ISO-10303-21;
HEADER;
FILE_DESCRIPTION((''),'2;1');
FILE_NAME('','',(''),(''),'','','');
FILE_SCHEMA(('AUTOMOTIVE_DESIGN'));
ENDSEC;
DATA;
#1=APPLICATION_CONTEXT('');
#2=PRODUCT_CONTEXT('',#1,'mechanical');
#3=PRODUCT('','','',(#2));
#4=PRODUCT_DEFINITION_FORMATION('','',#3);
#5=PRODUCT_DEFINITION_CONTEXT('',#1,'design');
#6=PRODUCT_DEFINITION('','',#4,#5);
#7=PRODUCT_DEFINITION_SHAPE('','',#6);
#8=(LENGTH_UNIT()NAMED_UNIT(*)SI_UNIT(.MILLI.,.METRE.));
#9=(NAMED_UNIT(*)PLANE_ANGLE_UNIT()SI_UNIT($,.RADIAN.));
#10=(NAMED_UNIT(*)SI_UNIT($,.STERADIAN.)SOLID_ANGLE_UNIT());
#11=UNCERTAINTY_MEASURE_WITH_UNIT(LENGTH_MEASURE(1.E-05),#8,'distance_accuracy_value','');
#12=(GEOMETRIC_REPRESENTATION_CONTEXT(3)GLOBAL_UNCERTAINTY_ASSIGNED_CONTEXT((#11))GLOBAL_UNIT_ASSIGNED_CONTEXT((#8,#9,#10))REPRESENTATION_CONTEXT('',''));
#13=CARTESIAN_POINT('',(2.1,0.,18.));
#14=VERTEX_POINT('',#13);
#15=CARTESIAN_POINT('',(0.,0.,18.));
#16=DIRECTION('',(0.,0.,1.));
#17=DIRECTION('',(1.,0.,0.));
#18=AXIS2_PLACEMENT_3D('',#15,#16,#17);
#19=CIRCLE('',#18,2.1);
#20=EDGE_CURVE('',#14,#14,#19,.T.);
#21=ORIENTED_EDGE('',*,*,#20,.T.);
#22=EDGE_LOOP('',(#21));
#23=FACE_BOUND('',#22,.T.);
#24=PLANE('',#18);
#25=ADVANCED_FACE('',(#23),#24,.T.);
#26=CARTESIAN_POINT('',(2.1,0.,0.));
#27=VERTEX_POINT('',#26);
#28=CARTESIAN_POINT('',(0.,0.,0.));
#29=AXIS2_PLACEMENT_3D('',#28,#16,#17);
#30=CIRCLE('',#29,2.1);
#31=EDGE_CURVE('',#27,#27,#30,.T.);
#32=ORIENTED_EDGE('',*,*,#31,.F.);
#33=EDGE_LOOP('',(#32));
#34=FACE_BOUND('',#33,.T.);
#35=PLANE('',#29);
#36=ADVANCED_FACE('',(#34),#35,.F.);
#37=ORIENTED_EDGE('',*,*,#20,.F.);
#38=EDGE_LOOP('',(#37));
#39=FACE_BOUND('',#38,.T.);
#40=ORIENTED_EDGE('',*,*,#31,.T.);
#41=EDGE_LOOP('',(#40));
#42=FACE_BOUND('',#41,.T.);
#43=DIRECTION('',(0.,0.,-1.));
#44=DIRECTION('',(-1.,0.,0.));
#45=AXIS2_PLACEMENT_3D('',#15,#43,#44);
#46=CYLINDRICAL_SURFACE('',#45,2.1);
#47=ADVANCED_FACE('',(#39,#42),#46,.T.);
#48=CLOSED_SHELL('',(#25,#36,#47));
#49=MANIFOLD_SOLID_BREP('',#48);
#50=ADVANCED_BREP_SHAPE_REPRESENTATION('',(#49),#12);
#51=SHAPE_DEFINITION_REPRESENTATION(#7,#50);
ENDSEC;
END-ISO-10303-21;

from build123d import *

# Parameters (mm, degrees)
SKIZZE1_R                       = 2.1
AUFSATZ_LINEAR_AUSTRAGEN1_DEPTH = 18


with BuildPart() as part:
    # Skizze1 → Aufsatz-Linear austragen1 (new body)
    with BuildSketch(Plane.XY):
        Circle(SKIZZE1_R)
    extrude(amount=AUFSATZ_LINEAR_AUSTRAGEN1_DEPTH)


solid = part.part
